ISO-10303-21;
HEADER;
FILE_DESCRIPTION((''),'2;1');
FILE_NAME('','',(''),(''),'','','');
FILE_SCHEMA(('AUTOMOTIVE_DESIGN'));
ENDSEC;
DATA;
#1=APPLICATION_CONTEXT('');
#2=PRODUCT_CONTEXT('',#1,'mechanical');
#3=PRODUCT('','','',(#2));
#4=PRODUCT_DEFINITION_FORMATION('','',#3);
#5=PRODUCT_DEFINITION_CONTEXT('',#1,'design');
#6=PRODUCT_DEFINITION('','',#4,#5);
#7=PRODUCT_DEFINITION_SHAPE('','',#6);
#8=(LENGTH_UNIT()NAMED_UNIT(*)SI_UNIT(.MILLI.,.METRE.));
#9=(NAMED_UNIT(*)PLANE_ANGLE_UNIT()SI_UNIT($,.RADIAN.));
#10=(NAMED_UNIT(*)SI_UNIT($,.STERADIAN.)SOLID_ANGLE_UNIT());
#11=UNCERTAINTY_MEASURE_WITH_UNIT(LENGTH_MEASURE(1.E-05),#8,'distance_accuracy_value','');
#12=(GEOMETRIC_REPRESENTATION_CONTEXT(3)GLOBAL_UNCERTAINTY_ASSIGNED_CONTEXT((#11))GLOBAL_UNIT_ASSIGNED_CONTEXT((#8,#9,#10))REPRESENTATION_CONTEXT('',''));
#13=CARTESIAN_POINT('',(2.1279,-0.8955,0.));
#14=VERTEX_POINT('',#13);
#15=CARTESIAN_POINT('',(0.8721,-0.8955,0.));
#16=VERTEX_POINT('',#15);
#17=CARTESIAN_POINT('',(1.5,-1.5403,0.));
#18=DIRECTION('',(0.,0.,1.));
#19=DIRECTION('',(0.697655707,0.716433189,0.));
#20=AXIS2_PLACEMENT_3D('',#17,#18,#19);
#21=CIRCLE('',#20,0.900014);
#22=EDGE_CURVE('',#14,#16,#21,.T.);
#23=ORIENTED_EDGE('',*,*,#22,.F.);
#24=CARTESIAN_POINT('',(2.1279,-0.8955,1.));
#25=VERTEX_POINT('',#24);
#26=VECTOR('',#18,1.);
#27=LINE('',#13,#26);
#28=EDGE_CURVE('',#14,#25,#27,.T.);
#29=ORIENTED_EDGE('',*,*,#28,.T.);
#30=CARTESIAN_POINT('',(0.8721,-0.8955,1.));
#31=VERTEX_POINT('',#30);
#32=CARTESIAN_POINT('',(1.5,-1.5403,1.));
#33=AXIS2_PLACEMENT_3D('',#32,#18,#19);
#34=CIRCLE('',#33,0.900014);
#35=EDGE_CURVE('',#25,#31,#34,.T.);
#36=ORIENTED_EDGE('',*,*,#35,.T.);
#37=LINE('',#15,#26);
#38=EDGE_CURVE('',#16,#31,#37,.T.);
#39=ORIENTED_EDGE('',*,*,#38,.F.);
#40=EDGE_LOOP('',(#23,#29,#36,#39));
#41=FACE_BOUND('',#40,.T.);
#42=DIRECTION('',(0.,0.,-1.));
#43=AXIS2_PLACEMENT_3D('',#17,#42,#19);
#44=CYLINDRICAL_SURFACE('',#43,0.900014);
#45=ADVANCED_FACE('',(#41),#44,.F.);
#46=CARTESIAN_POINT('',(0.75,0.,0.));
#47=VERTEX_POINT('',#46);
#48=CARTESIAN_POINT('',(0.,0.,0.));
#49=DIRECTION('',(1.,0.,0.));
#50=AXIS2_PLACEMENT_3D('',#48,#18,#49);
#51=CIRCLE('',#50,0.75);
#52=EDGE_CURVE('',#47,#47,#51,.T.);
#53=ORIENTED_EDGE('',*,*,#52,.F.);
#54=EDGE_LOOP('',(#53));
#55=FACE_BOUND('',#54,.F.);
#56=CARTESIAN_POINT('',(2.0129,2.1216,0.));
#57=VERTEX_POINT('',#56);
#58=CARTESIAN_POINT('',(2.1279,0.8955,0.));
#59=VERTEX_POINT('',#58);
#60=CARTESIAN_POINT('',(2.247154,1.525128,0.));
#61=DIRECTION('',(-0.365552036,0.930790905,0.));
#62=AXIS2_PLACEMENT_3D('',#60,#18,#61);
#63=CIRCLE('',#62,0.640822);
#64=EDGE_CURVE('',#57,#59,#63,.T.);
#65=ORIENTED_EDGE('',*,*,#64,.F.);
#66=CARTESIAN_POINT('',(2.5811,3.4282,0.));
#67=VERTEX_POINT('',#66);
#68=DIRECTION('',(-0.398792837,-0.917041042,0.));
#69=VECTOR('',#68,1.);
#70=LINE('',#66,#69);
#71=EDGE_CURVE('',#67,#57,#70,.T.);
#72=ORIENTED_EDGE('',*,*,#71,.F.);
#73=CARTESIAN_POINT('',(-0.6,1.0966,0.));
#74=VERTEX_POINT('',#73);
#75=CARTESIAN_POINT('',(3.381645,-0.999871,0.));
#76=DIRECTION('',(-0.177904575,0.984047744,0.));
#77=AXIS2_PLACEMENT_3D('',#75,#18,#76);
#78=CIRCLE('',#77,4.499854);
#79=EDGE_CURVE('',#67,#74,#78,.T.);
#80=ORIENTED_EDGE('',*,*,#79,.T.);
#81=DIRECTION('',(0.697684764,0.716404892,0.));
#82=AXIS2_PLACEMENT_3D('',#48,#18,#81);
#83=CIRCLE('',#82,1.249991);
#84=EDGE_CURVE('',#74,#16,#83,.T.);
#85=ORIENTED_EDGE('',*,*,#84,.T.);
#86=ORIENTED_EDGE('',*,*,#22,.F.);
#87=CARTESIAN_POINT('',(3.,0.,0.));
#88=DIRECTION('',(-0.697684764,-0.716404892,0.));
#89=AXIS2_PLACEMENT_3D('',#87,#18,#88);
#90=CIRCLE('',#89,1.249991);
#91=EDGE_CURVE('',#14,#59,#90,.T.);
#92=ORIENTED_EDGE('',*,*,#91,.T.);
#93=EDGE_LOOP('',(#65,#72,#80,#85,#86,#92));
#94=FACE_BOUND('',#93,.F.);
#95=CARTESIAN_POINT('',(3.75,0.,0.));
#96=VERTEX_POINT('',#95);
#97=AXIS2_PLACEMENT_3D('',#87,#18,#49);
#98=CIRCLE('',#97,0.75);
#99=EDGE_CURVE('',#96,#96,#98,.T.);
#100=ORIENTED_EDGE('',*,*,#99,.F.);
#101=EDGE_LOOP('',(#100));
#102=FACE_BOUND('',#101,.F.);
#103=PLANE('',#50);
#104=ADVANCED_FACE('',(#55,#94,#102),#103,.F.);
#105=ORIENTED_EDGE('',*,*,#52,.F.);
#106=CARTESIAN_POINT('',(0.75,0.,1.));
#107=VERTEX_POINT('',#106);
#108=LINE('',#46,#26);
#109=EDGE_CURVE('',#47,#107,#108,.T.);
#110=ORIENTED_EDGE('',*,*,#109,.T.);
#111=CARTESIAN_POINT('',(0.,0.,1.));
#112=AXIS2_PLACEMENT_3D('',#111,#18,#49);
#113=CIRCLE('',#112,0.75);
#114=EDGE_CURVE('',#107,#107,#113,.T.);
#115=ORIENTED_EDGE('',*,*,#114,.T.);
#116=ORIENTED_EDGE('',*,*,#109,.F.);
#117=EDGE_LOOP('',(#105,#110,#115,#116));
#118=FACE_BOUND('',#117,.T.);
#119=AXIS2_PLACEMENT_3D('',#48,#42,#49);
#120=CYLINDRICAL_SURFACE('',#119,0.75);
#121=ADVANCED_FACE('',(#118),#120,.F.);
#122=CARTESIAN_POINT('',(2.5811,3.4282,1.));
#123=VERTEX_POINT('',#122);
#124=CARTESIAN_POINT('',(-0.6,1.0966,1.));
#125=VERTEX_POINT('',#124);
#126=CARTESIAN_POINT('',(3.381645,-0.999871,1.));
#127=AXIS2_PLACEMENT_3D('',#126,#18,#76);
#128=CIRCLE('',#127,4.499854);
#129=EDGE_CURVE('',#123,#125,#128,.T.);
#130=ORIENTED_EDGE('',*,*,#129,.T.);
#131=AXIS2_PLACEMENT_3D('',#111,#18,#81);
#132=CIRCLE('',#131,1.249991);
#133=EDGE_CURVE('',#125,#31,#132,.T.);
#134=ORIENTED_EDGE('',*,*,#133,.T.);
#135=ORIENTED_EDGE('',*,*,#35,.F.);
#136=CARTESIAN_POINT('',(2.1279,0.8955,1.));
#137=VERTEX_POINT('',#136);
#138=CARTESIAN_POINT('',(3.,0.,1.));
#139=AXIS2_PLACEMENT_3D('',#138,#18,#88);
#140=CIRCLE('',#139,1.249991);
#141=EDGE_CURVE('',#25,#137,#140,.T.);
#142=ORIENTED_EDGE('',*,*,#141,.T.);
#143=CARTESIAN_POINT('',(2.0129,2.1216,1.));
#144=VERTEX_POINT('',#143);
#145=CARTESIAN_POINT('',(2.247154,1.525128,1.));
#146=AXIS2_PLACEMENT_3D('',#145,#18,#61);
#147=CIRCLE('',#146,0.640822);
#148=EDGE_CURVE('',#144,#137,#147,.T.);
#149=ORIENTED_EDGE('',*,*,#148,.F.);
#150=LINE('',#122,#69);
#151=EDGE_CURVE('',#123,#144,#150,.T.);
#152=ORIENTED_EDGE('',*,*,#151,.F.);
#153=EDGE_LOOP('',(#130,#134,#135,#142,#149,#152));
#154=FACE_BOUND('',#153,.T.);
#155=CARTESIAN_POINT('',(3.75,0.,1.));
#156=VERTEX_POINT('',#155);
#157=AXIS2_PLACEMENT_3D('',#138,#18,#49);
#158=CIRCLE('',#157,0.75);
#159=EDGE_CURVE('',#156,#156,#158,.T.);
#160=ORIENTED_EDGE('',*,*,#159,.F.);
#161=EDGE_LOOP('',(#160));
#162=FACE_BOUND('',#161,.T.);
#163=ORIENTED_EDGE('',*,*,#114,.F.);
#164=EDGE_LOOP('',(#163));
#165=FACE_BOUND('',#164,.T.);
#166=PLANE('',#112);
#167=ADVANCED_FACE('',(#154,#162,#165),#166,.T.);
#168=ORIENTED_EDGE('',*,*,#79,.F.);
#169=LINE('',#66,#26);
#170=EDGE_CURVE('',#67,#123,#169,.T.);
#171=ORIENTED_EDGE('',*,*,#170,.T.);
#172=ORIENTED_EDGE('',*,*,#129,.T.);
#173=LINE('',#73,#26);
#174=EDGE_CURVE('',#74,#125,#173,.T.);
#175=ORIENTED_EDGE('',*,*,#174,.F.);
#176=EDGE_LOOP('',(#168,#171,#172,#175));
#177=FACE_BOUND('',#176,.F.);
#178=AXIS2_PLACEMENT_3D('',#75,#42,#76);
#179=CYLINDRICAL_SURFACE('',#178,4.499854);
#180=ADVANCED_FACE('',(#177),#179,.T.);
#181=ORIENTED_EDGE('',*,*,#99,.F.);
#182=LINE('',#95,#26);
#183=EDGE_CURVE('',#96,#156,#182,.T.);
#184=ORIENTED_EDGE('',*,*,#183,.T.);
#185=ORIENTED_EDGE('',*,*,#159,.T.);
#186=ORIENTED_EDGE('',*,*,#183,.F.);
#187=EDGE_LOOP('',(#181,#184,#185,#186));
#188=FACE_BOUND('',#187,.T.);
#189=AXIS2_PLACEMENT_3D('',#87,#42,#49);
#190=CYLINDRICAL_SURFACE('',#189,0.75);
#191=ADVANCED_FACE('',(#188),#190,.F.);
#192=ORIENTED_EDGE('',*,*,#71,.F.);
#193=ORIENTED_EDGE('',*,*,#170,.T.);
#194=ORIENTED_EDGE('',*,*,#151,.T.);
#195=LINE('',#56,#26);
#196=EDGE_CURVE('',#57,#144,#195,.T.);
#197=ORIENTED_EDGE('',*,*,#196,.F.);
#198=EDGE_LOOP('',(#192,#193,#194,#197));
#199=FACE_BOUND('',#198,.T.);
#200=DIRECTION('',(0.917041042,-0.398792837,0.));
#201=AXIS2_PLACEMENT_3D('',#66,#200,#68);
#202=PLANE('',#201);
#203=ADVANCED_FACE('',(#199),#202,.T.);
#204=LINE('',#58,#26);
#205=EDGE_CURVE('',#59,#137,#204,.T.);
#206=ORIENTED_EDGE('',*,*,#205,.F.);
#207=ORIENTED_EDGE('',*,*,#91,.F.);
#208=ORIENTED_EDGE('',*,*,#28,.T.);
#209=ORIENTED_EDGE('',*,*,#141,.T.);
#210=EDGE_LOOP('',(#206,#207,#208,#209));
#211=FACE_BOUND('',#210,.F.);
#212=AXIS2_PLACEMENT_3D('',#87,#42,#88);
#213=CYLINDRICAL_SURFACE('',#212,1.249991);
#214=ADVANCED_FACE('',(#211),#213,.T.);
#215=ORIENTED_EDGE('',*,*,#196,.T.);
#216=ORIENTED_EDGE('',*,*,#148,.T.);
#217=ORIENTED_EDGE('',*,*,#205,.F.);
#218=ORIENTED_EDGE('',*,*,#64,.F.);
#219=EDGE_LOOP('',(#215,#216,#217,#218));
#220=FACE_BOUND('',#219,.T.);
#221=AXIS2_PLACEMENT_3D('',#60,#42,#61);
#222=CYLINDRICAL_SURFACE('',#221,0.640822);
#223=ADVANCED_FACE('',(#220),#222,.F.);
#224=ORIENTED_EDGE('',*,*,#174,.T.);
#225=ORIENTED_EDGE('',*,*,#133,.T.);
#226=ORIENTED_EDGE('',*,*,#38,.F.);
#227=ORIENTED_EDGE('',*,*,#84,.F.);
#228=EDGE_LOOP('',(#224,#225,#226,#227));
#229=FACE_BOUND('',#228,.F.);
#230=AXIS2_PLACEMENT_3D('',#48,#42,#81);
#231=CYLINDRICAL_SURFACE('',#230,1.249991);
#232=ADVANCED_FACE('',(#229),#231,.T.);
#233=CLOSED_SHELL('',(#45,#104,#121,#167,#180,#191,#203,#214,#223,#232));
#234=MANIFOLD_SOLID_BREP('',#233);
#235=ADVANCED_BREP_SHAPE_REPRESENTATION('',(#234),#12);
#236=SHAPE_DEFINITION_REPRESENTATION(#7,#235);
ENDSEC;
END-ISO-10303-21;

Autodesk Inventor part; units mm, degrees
ref_plane "YZ Plane" through (0, 0, 0) normal (1, 0, 0) x (0, 1, 0)
ref_plane "XZ Plane" through (0, 0, 0) normal (0, 1, 0) x (-1, 0, 0)
ref_plane "XY Plane" through (0, 0, 0) normal (0, 0, 1) x (1, 0, 0)
sketch "Body" plane through (0, 0, 0) normal (0, 0, 1) x (1, 0, 0)
  circle A0 centre (0, 0) radius 0.75
  line L0 (0, 0) -> (3, 0) construction
  circle A1 centre (3, 0) radius 0.75
  arc A2 (0.8721, 0.8955) -> (0.8721, -0.8955) centre (0, 0) ccw
  arc A3 (2.1279, -0.8955) -> (2.1279, 0.8955) centre (3, 0) ccw
  arc A4 (0.8721, 0.8955) -> (2.1279, 0.8955) centre (1.5, 1.5403) ccw
  arc A5 (2.1279, -0.8955) -> (0.8721, -0.8955) centre (1.5, -1.5403) ccw
  arc A6 (2.5811, 3.4282) -> (-0.6, 1.0966) centre (3.3817, -1) ccw
  line L1 (2.5811, 3.4282) -> (2.0129, 2.1216)
  arc A7 (2.0129, 2.1216) -> (2.1279, 0.8955) centre (2.2472, 1.5251) ccw
  dimension "d0" = 1.5
  dimension "d1" = 3
  dimension "d3" = 2.5
  dimension "d5" = 0.9
  dimension "d8" = 4.5
  dimension "d10" = 113.5
  dimension "d13" = 1
  dimension "d15" = 0.6408
  dimension "d16" = 1
  dimension "d17" = 2.5
  dimension "d18" = 0.4526
extrude "BodyFeature" add sketch "Body" along normal blind 1
properties part number "ChainTooth"
